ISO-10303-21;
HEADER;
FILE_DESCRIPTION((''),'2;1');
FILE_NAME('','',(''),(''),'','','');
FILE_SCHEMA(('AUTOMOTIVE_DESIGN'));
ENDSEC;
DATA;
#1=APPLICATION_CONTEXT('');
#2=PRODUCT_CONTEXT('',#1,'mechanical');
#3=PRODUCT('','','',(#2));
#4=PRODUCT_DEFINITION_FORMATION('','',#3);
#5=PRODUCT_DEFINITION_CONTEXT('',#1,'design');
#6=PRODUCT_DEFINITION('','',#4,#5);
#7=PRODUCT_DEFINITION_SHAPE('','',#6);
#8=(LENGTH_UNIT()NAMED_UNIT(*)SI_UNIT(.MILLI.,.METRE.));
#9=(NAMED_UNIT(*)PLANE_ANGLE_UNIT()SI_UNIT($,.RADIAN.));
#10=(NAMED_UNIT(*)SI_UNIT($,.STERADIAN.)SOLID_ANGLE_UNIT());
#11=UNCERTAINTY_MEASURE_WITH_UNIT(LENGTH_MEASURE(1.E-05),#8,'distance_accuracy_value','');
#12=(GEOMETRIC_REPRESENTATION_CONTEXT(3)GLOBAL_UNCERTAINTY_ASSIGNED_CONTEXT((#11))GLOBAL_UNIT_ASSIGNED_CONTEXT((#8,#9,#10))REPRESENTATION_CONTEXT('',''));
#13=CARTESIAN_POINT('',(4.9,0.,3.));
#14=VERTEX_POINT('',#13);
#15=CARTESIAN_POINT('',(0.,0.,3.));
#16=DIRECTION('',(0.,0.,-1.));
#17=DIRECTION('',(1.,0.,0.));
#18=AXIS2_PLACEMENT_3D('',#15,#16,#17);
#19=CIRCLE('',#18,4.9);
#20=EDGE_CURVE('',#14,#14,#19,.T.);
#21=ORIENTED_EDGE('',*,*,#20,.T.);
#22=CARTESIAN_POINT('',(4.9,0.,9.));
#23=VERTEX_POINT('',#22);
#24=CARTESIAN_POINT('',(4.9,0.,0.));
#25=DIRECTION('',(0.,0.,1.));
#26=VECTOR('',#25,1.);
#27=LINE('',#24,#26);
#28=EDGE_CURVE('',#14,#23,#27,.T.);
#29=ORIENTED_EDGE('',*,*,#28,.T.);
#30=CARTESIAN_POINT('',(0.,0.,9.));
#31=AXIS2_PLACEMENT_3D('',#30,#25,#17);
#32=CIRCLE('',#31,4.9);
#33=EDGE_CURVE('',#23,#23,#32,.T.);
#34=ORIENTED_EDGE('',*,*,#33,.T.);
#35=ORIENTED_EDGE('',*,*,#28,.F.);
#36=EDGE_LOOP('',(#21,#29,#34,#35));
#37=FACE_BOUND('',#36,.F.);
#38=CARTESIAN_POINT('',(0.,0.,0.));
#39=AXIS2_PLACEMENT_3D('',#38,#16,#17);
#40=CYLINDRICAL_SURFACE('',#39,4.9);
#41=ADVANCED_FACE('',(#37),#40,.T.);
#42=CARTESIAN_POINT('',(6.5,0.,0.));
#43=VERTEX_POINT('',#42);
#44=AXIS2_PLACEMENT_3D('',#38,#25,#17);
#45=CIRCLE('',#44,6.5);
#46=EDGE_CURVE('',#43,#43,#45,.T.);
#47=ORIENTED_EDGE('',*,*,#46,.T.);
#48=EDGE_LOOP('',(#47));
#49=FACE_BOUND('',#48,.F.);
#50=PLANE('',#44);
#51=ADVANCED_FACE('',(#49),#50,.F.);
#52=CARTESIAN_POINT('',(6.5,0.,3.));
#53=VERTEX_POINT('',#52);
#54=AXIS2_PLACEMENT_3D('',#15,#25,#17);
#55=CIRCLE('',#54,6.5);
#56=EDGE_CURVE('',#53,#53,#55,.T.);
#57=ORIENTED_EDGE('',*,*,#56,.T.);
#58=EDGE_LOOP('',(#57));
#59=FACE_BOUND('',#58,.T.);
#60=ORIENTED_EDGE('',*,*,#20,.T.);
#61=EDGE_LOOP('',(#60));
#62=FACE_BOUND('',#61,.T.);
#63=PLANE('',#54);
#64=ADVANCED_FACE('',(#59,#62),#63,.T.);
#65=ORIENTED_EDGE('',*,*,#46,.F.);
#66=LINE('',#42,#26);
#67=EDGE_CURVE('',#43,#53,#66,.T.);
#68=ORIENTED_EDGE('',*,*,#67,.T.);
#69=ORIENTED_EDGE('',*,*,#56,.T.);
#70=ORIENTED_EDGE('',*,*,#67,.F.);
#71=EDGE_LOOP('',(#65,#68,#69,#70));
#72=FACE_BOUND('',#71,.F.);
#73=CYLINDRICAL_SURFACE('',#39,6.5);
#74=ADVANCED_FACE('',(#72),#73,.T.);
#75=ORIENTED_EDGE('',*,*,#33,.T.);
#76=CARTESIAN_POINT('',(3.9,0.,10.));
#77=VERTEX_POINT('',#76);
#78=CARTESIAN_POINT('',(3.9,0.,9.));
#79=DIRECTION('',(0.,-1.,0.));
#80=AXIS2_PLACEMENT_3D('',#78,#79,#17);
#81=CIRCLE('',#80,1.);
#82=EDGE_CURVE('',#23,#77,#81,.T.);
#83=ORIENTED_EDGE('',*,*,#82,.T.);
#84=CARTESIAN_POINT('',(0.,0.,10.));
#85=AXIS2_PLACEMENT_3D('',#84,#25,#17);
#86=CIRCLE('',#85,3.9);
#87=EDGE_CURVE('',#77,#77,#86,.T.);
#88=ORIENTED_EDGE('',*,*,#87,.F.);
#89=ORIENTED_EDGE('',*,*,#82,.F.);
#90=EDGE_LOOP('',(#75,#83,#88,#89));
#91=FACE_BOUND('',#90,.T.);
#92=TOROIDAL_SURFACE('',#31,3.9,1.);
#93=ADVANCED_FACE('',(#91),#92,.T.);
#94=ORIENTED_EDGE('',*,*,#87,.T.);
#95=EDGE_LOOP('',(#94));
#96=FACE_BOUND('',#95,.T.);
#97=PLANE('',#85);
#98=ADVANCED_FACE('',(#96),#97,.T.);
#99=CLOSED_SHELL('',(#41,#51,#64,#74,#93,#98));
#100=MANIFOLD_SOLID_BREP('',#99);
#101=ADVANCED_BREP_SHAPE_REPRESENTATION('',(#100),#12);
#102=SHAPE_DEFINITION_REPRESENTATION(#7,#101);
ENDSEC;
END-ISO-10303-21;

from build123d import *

# Parameters (mm, degrees)
F0_R     = 6.5
F1_DEPTH = 3
F2_R     = 4.9
F3_DEPTH = 10
F4_R     = 1


with BuildPart() as f1:
    # F0 (on Top) → F1 (new body)
    with BuildSketch(Plane.XY):
        Circle(F0_R)
    extrude(amount=F1_DEPTH)

    # F2 (on Top) → F3 (join)
    with BuildSketch(Plane.XY):
        Circle(F2_R)
    extrude(amount=F3_DEPTH)

    # F4
    f4_edges = [f1.edges().sort_by_distance(p)[0] for p in [
        (-4.9, 0, 10),
    ]]
    fillet(f4_edges, radius=F4_R)


solid = f1.part
